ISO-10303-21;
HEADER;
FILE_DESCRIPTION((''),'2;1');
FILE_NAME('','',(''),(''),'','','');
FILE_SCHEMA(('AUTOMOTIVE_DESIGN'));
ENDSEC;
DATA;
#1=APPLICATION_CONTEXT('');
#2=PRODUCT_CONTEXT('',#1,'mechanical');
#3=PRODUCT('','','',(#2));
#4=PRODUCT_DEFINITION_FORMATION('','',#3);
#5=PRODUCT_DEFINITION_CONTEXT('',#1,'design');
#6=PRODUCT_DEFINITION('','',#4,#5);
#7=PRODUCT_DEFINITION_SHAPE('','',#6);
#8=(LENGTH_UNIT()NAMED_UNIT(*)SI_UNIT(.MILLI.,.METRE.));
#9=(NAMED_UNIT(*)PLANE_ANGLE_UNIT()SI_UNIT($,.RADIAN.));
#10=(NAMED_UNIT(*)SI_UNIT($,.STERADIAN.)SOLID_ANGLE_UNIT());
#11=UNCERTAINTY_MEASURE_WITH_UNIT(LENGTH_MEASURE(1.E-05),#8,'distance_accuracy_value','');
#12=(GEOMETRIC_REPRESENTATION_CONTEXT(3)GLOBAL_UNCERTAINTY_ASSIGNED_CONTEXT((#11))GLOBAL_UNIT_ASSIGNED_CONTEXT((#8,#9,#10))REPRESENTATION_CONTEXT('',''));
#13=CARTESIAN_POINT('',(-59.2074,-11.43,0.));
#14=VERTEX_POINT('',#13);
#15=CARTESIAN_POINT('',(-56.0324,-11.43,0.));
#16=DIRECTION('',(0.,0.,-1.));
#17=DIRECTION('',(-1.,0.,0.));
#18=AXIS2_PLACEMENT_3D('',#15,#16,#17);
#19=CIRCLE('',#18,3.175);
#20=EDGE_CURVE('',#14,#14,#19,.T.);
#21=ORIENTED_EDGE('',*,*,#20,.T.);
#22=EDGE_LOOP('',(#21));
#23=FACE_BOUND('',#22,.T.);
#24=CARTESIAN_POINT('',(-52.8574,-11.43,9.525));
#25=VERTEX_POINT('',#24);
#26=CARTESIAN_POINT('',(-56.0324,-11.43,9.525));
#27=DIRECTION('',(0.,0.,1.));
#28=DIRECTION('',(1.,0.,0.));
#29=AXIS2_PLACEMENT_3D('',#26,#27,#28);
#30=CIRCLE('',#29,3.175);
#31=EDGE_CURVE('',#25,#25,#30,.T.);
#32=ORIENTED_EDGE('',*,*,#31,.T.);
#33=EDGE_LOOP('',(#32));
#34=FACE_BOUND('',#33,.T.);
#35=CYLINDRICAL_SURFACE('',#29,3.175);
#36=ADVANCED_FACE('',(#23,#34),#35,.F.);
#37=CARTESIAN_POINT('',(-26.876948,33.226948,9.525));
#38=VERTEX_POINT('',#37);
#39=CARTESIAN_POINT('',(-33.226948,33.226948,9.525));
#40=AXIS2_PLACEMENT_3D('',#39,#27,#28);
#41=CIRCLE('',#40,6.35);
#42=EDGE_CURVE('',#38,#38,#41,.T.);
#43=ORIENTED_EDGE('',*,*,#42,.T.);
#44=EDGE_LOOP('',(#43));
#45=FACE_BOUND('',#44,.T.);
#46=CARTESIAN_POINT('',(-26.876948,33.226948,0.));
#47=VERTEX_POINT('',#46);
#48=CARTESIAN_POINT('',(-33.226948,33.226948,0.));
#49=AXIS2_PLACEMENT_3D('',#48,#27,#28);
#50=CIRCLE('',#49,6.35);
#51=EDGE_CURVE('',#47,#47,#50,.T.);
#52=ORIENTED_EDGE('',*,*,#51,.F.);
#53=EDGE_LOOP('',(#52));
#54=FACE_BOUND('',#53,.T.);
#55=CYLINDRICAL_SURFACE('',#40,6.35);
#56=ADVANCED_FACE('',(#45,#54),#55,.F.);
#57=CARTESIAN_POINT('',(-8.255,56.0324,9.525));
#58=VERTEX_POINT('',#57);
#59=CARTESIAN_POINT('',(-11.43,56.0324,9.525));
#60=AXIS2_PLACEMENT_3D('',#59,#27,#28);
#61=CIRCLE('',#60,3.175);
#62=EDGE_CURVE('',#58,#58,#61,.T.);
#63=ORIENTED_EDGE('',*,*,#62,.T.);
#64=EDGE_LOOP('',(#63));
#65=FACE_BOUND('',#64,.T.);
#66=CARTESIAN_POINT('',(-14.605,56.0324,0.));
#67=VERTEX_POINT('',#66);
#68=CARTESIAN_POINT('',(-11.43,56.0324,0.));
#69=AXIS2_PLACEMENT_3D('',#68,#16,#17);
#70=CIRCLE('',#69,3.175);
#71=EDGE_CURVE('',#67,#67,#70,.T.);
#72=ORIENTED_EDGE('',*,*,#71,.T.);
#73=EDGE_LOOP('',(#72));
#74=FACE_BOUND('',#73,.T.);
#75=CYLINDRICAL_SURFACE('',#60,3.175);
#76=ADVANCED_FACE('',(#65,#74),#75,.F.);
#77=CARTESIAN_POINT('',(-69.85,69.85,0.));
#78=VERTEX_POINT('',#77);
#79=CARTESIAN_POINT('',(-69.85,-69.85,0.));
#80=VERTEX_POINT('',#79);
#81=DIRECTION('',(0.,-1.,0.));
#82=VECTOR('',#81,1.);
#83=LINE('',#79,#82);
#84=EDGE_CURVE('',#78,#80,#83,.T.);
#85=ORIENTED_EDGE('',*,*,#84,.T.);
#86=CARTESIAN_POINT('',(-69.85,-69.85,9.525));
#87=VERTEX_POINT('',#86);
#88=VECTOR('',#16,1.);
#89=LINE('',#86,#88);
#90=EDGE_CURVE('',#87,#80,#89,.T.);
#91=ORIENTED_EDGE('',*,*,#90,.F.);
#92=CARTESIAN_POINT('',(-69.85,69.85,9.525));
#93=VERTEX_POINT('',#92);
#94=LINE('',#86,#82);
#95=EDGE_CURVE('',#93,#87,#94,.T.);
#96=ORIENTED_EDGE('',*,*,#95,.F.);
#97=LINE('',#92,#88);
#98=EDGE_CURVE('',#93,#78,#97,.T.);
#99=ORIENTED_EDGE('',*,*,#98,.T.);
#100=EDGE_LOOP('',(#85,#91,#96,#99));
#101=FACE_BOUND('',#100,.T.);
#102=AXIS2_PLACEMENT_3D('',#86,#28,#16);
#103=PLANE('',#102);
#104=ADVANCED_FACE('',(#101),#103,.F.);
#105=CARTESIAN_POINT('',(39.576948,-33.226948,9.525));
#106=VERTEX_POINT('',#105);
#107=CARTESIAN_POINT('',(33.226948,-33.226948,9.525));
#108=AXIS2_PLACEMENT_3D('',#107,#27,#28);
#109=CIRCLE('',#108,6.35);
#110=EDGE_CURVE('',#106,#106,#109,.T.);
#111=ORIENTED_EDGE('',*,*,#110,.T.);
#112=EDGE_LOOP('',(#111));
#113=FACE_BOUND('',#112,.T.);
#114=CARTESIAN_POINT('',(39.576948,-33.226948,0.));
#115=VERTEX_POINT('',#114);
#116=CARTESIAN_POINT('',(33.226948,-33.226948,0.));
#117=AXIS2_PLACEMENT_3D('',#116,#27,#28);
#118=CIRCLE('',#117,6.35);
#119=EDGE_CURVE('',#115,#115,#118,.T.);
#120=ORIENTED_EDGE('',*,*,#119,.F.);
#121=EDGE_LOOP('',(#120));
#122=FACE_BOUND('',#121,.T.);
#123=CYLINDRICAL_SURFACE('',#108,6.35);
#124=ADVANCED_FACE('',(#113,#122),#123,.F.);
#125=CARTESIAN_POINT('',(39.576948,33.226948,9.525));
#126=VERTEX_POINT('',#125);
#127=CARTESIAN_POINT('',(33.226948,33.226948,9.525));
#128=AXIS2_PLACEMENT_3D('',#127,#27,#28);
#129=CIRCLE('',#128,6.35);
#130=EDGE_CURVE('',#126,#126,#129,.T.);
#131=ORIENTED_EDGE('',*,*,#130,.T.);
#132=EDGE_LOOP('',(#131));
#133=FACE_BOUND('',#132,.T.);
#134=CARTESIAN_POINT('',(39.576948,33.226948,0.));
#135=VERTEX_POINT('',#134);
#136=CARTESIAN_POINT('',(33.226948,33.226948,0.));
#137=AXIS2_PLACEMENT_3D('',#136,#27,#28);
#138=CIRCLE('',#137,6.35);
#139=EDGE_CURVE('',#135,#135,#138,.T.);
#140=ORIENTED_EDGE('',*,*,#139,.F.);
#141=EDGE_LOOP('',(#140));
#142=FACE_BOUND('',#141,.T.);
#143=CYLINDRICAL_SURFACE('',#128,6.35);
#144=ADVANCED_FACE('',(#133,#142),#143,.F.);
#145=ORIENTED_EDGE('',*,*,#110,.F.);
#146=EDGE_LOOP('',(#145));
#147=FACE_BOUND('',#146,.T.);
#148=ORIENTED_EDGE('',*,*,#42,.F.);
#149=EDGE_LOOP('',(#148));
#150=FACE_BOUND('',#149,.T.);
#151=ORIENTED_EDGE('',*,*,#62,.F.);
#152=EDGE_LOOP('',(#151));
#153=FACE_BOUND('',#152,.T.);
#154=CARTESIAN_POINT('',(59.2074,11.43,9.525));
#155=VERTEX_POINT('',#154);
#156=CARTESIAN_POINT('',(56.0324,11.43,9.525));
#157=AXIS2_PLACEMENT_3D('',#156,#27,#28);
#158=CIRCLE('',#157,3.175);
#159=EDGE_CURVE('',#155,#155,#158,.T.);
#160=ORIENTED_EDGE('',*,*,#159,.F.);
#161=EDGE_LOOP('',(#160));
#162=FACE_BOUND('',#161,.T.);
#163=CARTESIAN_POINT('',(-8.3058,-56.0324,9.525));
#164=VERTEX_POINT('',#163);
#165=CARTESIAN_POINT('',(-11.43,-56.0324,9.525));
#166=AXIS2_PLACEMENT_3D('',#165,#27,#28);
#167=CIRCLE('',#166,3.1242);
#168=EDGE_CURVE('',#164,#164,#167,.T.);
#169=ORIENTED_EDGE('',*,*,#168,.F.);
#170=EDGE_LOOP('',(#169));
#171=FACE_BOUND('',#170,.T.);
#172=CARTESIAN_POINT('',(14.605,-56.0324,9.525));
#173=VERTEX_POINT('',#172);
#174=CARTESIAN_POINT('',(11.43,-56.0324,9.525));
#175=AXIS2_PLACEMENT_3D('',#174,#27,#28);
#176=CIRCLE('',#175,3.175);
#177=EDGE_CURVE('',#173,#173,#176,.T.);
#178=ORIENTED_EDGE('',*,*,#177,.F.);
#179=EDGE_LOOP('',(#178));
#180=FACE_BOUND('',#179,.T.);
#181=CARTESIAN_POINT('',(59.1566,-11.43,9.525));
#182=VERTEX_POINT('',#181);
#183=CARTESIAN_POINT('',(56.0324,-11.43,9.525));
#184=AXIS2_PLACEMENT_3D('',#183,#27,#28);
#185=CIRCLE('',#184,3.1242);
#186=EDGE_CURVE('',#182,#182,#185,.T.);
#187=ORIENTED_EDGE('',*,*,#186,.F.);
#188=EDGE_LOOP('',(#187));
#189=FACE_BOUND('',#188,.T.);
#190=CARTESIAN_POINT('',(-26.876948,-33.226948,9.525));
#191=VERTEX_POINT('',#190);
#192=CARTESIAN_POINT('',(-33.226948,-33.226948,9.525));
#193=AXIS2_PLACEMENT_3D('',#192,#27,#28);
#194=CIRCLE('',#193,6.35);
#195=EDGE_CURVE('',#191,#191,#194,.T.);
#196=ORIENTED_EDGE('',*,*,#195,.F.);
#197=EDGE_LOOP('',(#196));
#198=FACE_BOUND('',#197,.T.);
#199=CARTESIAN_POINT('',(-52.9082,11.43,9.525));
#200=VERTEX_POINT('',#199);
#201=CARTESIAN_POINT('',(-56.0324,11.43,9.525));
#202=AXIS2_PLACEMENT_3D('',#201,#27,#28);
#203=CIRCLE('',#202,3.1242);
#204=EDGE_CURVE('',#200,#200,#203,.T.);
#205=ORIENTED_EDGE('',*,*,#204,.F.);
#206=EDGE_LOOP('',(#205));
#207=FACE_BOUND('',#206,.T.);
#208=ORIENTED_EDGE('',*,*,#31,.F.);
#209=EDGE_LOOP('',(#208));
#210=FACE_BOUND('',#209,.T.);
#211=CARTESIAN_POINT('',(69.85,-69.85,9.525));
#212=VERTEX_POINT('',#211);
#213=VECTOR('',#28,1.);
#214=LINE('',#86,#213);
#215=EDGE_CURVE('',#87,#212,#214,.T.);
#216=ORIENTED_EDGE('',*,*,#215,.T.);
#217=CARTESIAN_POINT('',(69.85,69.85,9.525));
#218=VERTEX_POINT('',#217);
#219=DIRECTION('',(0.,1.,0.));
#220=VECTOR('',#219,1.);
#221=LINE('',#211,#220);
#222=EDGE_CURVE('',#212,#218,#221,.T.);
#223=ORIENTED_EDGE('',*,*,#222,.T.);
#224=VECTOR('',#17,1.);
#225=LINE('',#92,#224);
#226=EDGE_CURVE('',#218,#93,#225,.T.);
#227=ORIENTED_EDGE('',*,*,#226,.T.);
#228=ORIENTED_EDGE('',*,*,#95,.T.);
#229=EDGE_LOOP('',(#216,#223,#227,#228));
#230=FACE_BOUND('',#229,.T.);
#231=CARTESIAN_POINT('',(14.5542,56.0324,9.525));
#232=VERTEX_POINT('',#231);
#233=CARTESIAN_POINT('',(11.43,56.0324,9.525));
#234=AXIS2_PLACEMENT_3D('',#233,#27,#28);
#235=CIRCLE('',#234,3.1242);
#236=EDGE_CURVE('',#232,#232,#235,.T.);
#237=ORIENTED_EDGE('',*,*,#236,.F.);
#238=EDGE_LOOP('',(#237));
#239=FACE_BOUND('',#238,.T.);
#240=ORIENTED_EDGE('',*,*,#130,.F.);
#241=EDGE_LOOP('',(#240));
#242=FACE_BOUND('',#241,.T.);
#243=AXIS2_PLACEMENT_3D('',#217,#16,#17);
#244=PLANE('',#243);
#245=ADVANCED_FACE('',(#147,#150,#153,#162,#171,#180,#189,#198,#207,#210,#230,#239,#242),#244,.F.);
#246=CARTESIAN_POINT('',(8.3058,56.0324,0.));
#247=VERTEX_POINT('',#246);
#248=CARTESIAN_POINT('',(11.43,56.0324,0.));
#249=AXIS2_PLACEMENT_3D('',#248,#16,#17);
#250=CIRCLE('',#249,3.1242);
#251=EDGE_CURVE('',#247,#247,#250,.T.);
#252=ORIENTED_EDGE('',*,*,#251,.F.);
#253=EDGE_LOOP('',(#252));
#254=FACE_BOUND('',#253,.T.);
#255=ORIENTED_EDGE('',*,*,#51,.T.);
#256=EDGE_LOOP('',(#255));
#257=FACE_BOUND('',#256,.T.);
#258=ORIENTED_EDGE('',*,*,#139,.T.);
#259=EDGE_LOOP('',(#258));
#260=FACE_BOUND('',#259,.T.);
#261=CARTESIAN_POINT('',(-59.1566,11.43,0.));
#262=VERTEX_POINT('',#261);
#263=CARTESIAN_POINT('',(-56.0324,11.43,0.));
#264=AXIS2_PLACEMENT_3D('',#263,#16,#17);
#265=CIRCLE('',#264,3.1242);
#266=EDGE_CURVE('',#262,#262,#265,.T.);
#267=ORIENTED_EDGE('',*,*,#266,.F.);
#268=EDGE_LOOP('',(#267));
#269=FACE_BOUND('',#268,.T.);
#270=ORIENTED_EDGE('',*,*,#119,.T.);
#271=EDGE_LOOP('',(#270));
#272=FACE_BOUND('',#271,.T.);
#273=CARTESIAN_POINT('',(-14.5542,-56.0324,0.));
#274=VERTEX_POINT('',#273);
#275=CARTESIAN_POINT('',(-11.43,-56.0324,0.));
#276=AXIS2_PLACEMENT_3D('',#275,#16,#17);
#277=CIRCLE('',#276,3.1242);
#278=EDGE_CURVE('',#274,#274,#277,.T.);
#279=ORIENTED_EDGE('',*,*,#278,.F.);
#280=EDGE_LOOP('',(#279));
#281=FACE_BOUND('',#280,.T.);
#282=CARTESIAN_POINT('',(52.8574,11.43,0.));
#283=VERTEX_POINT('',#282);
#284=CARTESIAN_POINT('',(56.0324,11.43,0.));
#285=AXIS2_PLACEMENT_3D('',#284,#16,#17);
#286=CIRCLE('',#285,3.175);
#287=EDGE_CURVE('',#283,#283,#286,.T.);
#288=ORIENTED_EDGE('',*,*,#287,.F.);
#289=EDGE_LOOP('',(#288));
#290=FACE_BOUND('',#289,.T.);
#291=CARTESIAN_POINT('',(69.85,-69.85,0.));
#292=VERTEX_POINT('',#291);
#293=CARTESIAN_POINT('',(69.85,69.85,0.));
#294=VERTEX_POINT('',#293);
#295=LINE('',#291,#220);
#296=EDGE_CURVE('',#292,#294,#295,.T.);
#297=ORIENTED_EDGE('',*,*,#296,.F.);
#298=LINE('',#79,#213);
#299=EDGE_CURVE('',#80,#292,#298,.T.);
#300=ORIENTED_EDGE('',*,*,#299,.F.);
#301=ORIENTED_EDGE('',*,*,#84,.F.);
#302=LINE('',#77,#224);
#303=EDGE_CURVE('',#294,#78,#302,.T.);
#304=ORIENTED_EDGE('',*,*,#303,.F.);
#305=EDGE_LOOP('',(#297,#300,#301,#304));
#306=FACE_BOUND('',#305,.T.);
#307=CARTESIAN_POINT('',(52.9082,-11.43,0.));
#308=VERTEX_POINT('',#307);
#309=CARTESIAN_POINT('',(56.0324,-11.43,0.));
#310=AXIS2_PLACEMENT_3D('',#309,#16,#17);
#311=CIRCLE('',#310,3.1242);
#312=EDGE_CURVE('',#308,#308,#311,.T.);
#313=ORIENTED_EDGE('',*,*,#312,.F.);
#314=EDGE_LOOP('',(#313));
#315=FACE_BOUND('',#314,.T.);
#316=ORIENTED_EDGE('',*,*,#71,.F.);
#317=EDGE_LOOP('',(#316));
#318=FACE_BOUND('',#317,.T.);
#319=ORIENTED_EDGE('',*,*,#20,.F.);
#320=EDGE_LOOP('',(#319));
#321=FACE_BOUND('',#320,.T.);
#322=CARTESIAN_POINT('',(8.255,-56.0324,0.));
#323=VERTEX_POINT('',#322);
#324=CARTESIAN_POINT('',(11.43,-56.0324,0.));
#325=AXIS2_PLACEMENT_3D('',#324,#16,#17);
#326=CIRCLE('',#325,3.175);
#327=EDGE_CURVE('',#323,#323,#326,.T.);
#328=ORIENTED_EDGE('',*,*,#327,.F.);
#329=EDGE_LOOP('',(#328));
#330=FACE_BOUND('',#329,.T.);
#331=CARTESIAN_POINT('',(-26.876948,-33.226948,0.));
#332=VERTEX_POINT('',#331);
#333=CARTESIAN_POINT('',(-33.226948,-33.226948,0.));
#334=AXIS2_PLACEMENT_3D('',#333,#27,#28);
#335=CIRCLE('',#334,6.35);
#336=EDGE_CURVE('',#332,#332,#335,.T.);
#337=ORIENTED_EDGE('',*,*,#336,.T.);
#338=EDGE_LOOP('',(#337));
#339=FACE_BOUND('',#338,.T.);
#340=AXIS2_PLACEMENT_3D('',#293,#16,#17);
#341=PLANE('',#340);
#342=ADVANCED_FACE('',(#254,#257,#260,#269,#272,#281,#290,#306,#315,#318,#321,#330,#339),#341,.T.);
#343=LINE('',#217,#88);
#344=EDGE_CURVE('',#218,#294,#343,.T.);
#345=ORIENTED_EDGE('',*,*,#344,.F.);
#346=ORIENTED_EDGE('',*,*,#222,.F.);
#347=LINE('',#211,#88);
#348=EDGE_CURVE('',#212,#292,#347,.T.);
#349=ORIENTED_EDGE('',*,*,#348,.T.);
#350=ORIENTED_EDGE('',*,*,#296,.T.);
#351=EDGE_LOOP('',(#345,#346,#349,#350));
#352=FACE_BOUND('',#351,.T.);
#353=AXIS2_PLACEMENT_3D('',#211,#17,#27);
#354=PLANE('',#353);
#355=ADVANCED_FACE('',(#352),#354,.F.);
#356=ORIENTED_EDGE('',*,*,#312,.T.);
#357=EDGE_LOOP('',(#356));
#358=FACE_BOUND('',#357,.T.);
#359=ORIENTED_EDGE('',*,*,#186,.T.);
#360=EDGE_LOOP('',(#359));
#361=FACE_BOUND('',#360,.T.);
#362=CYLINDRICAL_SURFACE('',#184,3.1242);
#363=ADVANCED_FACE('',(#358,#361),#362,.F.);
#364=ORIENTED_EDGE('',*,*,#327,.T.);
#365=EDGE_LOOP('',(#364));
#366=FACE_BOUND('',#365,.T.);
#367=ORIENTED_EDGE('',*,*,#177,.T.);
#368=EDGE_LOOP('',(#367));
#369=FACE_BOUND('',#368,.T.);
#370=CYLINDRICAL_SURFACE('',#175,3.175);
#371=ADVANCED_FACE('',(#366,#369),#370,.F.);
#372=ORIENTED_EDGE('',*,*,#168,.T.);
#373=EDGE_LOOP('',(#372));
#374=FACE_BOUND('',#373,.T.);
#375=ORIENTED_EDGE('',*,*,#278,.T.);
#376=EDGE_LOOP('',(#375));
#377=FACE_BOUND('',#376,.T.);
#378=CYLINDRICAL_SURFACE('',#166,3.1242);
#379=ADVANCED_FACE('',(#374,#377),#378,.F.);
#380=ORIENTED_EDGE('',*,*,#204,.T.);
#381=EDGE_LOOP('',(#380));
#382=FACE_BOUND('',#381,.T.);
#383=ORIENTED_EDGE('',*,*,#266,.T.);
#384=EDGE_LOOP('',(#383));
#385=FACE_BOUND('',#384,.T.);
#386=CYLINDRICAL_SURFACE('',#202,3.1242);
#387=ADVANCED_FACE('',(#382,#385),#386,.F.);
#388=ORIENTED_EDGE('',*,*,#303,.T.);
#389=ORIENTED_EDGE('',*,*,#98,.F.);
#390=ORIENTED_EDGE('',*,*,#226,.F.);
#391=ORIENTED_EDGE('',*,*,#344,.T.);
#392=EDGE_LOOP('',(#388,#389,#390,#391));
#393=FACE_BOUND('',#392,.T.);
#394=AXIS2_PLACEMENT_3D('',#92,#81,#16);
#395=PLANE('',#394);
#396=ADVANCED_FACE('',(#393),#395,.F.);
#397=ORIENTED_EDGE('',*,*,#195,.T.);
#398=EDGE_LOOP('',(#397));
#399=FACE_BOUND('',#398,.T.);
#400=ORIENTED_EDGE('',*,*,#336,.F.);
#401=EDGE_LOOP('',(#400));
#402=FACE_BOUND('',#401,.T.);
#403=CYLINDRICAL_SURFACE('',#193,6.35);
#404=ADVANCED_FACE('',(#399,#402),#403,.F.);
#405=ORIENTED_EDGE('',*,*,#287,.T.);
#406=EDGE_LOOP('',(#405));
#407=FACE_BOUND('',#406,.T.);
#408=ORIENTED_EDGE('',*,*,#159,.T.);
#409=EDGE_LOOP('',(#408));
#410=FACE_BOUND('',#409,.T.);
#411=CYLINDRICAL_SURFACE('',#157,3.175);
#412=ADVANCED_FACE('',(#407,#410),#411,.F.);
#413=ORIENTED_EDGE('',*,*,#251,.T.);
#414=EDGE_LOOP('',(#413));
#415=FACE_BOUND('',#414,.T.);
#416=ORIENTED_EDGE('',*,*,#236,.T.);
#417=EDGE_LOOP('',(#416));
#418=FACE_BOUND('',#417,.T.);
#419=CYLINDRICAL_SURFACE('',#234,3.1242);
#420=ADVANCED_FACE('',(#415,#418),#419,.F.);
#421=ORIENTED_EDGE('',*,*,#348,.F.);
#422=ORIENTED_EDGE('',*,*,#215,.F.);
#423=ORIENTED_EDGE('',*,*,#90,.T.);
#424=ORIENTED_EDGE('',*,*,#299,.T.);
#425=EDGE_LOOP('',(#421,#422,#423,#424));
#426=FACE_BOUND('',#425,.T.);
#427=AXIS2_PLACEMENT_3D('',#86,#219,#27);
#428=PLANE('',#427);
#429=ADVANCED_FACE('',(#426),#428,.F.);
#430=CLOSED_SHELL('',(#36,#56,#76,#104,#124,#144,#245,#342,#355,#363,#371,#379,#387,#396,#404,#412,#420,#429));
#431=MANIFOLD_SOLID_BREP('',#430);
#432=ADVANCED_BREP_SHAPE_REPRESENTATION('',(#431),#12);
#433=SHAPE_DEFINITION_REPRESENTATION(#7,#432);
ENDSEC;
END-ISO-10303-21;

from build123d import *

# Parameters (mm, degrees)
SKETCH1_W                  = 139.7
SKETCH1_H                  = 139.7
EXTRUDE1_DEPTH             = 9.525
F_1_2_0_5_DIAMETER_HOLE1_D = 12.7
CIRPATTERN1_COUNT          = 4


with BuildPart() as part:
    # Sketch1 → Extrude1 (new body)
    with BuildSketch(Plane.XY):
        Rectangle(SKETCH1_W, SKETCH1_H)
    extrude(amount=EXTRUDE1_DEPTH)

    # 1/2 (0.5) Diameter Hole1 (through all)
    with Locations(Plane(origin=(-33.226947648, 33.226947648, 9.525), x_dir=(1, 0, 0), z_dir=(0, 0, 1))):
        with Locations((0, 0)):
            f_1_2_0_5_diameter_hole1 = Hole(F_1_2_0_5_DIAMETER_HOLE1_D / 2)

    # Sketch4 → D (0.246) Diameter Hole1 (revolve, cut)
    with BuildSketch(Plane(origin=(-56.0324, 11.43, 9.525), x_dir=(0, -1, 0), z_dir=(1, 0, 0))):
        Polygon((0, 0), (0, 35.659208746), (3.1242, 33.782), (3.1242, 0), align=None)
    d_0_246_diameter_hole1 = revolve(axis=Axis((-56.0324, 11.43, 15.875), (0, 0, -1)), mode=Mode.SUBTRACT)

    # Sketch5 → 1/4 (0.25) Diameter Hole1 (revolve, cut)
    with BuildSketch(Plane(origin=(-56.0324, -11.43, 9.525), x_dir=(0, -1, 0), z_dir=(1, 0, 0))):
        Polygon((0, 0), (0, 35.689732465), (3.175, 33.782), (3.175, 0), align=None)
    f_1_4_0_25_diameter_hole1 = revolve(axis=Axis((-56.0324, -11.43, 15.875), (0, 0, -1)), mode=Mode.SUBTRACT)

    # CirPattern1: 1/2 (0.5) Diameter Hole1, D (0.246) Diameter Hole1, 1/4 (0.25) Diameter Hole1 ×4 about axis
    cirpattern1_axis = Axis((0, 0, -0.9525), (0, 0, 1))
    add([f_1_2_0_5_diameter_hole1.rotate(cirpattern1_axis, i * 360 / CIRPATTERN1_COUNT) for i in range(1, CIRPATTERN1_COUNT)], mode=Mode.SUBTRACT)
    add([d_0_246_diameter_hole1.rotate(cirpattern1_axis, i * 360 / CIRPATTERN1_COUNT) for i in range(1, CIRPATTERN1_COUNT)], mode=Mode.SUBTRACT)
    add([f_1_4_0_25_diameter_hole1.rotate(cirpattern1_axis, i * 360 / CIRPATTERN1_COUNT) for i in range(1, CIRPATTERN1_COUNT)], mode=Mode.SUBTRACT)


solid = part.part
